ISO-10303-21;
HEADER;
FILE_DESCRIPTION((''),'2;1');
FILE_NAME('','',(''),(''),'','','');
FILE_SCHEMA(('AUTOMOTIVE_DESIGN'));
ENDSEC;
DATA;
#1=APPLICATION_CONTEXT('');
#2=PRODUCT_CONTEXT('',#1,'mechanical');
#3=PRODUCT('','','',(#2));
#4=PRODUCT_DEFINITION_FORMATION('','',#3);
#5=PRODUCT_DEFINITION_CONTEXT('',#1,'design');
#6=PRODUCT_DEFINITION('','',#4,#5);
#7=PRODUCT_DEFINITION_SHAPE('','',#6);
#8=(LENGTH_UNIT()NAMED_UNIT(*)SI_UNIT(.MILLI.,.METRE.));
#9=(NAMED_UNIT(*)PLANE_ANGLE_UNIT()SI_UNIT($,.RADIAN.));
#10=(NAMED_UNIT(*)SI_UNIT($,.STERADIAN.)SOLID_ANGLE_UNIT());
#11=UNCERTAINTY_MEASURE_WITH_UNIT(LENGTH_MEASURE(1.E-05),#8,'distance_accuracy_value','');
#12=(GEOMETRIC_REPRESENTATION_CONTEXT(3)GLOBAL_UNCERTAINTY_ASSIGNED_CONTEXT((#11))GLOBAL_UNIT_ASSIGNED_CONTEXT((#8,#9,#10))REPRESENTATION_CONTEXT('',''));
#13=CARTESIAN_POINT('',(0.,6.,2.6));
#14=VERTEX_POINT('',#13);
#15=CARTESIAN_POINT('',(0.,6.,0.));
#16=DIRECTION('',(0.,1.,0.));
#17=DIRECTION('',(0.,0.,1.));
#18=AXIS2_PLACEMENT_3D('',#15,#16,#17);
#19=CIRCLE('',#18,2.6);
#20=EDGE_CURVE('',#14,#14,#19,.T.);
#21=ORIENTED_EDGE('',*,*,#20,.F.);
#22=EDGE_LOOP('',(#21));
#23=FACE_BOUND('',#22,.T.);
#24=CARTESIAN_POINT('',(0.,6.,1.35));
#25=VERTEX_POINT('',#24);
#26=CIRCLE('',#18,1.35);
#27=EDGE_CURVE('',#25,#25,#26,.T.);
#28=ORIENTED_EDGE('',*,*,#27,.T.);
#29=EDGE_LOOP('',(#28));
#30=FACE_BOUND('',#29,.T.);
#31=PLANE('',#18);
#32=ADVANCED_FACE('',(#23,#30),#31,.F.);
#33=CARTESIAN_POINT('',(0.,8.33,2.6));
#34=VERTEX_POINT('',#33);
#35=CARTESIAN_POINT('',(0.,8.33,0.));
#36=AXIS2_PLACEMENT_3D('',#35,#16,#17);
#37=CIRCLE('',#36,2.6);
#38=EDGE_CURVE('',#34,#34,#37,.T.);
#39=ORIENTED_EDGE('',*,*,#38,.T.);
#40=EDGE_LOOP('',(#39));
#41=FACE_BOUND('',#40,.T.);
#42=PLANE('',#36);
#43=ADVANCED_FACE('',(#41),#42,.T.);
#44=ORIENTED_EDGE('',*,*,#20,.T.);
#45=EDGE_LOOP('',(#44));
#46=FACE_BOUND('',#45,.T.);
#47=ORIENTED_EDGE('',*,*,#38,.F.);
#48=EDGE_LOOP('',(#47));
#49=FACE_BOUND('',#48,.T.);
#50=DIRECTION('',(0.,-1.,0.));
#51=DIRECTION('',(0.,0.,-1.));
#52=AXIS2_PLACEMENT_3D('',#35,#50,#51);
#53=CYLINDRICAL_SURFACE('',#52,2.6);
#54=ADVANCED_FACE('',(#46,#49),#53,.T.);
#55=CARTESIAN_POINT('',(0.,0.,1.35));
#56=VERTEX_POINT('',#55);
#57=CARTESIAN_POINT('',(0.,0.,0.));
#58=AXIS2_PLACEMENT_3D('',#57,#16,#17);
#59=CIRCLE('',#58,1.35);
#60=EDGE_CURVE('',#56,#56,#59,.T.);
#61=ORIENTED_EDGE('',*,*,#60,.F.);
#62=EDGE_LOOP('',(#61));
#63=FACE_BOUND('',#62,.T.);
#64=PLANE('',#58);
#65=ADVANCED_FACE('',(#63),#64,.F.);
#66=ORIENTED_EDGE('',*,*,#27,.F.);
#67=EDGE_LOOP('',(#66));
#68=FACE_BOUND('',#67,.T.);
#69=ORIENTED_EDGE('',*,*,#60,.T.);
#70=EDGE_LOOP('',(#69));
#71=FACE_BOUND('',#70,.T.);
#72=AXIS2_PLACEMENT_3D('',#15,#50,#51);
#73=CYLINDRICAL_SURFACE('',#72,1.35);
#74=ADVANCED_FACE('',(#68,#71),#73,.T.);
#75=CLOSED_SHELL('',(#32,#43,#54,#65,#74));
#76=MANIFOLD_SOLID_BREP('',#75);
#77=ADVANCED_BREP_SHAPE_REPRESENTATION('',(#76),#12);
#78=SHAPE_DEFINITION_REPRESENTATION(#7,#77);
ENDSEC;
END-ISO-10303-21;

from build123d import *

# Parameters (mm, degrees)
SKETCH1_R           = 1.35
BOSS_EXTRUDE1_DEPTH = 6
SKETCH2_R           = 2.6
BOSS_EXTRUDE2_DEPTH = 2.33


with BuildPart() as part:
    # Sketch1 → Boss-Extrude1 (new body)
    with BuildSketch(Plane(origin=(0, 0, 0), x_dir=(1, 0, 0), z_dir=(0, 1, 0))):
        Circle(SKETCH1_R)
    extrude(amount=BOSS_EXTRUDE1_DEPTH)

    # Sketch2 → Boss-Extrude2 (add)
    with BuildSketch(Plane(origin=(0, 6, 0), x_dir=(1, 0, 0), z_dir=(0, 1, 0))):
        Circle(SKETCH2_R)
    extrude(amount=BOSS_EXTRUDE2_DEPTH)


solid = part.part
